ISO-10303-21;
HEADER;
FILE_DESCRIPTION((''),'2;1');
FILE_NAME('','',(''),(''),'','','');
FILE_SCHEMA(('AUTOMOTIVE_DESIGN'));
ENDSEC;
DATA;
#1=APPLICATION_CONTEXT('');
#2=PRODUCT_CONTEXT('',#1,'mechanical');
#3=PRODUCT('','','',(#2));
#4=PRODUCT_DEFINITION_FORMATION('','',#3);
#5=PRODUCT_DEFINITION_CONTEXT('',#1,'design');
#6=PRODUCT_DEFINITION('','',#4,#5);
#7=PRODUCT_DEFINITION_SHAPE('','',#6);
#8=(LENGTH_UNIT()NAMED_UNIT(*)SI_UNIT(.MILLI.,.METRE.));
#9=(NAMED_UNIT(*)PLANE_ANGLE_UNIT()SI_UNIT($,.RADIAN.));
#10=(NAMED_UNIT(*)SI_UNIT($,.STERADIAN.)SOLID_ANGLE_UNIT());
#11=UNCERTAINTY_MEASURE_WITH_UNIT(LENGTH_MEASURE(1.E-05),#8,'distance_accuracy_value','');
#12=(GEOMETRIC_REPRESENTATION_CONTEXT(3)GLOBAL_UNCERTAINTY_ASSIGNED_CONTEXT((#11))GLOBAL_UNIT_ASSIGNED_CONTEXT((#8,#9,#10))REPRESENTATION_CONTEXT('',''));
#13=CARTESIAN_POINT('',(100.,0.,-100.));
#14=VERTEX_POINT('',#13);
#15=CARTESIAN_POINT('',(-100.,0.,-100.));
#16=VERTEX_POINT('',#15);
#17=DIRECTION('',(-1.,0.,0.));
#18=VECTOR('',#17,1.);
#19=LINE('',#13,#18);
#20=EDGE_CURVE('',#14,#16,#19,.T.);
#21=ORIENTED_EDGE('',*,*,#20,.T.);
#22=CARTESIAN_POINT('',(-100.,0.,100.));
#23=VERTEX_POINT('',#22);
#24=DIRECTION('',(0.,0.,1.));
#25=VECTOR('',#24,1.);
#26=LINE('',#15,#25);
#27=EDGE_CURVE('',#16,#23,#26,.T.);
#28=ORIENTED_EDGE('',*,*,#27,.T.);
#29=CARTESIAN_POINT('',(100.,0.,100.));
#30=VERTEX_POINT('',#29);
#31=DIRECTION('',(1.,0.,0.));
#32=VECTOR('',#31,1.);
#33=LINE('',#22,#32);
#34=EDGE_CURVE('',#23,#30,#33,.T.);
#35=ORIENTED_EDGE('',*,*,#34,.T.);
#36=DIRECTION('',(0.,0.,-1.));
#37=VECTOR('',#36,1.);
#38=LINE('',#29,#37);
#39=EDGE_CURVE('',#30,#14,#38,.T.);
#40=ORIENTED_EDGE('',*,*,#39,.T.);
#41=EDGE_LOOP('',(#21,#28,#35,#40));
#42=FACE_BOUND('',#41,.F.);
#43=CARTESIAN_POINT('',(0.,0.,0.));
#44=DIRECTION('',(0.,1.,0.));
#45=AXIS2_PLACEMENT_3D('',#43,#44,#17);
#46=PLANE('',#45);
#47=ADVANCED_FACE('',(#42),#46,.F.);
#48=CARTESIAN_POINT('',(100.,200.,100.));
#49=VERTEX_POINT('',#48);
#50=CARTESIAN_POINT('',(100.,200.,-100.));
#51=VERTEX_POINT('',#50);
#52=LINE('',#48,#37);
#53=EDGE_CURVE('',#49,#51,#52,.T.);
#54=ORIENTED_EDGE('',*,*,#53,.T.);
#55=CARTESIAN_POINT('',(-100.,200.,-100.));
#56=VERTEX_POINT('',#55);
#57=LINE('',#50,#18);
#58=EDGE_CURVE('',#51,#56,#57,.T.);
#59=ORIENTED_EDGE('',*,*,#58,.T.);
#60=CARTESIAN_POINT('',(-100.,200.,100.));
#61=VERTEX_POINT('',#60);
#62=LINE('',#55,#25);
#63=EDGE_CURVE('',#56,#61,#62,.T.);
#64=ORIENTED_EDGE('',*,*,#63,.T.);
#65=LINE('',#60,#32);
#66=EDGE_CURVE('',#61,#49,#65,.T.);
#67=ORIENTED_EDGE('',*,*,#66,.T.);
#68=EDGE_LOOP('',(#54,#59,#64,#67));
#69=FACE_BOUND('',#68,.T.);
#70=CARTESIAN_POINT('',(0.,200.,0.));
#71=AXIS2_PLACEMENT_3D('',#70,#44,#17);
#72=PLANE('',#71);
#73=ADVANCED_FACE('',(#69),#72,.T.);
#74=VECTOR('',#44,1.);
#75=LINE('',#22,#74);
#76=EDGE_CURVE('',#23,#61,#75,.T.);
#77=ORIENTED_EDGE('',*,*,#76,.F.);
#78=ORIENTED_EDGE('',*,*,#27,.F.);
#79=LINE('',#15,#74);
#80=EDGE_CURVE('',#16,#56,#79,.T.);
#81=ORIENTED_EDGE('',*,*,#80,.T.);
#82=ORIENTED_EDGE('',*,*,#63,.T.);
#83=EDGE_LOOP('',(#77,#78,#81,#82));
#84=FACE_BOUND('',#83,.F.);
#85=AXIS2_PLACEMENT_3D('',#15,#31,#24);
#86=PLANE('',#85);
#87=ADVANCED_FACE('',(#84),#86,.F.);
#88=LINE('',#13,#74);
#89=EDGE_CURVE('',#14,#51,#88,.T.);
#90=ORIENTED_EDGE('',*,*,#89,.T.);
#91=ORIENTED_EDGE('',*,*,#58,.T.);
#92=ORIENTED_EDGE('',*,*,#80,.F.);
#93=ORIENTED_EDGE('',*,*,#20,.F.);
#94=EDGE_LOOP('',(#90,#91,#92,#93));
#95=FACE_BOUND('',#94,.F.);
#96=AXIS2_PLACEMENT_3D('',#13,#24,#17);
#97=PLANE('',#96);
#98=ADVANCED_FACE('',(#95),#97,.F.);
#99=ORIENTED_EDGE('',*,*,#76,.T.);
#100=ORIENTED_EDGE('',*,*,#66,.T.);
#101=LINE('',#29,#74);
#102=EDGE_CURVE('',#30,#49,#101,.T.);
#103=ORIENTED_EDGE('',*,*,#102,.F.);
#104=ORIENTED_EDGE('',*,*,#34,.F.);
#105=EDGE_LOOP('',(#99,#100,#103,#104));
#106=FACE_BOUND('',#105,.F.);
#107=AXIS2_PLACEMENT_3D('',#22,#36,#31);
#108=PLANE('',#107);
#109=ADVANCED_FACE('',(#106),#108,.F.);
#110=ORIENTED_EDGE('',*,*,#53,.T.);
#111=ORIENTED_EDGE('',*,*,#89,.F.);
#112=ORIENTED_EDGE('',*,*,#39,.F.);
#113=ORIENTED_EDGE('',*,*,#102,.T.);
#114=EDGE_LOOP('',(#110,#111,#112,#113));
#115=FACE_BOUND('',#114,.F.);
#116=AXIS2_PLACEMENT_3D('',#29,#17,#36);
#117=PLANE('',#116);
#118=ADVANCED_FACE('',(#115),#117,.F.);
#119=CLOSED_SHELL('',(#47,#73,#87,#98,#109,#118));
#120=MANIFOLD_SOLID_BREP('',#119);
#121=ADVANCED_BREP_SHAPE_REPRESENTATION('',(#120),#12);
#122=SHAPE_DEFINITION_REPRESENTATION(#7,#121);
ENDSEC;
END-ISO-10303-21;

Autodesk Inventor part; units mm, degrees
ref_plane "YZ Plane" through (0, 0, 0) normal (1, 0, 0) x (0, 1, 0)
ref_plane "XZ Plane" through (0, 0, 0) normal (0, 1, 0) x (-1, 0, 0)
ref_plane "XY Plane" through (0, 0, 0) normal (0, 0, 1) x (1, 0, 0)
sketch "Boceto1" plane through (0, 0, 0) normal (0, 1, 0) x (-1, 0, 0)
  line L0 (100, 100) -> (-100, 100)
  line L1 (-100, 100) -> (-100, -100)
  line L2 (-100, -100) -> (100, -100)
  line L3 (100, -100) -> (100, 100)
  line L4 (100, 100) -> (-100, -100) construction
  line L5 (-100, 100) -> (100, -100) construction
  point P0 (0, 0)
  dimension "d0" = 200
  dimension "d1" = 200
extrude "Extrusión1" add sketch "Boceto1" along normal blind 200
properties part number "Caja" material "Plástico ABS"
